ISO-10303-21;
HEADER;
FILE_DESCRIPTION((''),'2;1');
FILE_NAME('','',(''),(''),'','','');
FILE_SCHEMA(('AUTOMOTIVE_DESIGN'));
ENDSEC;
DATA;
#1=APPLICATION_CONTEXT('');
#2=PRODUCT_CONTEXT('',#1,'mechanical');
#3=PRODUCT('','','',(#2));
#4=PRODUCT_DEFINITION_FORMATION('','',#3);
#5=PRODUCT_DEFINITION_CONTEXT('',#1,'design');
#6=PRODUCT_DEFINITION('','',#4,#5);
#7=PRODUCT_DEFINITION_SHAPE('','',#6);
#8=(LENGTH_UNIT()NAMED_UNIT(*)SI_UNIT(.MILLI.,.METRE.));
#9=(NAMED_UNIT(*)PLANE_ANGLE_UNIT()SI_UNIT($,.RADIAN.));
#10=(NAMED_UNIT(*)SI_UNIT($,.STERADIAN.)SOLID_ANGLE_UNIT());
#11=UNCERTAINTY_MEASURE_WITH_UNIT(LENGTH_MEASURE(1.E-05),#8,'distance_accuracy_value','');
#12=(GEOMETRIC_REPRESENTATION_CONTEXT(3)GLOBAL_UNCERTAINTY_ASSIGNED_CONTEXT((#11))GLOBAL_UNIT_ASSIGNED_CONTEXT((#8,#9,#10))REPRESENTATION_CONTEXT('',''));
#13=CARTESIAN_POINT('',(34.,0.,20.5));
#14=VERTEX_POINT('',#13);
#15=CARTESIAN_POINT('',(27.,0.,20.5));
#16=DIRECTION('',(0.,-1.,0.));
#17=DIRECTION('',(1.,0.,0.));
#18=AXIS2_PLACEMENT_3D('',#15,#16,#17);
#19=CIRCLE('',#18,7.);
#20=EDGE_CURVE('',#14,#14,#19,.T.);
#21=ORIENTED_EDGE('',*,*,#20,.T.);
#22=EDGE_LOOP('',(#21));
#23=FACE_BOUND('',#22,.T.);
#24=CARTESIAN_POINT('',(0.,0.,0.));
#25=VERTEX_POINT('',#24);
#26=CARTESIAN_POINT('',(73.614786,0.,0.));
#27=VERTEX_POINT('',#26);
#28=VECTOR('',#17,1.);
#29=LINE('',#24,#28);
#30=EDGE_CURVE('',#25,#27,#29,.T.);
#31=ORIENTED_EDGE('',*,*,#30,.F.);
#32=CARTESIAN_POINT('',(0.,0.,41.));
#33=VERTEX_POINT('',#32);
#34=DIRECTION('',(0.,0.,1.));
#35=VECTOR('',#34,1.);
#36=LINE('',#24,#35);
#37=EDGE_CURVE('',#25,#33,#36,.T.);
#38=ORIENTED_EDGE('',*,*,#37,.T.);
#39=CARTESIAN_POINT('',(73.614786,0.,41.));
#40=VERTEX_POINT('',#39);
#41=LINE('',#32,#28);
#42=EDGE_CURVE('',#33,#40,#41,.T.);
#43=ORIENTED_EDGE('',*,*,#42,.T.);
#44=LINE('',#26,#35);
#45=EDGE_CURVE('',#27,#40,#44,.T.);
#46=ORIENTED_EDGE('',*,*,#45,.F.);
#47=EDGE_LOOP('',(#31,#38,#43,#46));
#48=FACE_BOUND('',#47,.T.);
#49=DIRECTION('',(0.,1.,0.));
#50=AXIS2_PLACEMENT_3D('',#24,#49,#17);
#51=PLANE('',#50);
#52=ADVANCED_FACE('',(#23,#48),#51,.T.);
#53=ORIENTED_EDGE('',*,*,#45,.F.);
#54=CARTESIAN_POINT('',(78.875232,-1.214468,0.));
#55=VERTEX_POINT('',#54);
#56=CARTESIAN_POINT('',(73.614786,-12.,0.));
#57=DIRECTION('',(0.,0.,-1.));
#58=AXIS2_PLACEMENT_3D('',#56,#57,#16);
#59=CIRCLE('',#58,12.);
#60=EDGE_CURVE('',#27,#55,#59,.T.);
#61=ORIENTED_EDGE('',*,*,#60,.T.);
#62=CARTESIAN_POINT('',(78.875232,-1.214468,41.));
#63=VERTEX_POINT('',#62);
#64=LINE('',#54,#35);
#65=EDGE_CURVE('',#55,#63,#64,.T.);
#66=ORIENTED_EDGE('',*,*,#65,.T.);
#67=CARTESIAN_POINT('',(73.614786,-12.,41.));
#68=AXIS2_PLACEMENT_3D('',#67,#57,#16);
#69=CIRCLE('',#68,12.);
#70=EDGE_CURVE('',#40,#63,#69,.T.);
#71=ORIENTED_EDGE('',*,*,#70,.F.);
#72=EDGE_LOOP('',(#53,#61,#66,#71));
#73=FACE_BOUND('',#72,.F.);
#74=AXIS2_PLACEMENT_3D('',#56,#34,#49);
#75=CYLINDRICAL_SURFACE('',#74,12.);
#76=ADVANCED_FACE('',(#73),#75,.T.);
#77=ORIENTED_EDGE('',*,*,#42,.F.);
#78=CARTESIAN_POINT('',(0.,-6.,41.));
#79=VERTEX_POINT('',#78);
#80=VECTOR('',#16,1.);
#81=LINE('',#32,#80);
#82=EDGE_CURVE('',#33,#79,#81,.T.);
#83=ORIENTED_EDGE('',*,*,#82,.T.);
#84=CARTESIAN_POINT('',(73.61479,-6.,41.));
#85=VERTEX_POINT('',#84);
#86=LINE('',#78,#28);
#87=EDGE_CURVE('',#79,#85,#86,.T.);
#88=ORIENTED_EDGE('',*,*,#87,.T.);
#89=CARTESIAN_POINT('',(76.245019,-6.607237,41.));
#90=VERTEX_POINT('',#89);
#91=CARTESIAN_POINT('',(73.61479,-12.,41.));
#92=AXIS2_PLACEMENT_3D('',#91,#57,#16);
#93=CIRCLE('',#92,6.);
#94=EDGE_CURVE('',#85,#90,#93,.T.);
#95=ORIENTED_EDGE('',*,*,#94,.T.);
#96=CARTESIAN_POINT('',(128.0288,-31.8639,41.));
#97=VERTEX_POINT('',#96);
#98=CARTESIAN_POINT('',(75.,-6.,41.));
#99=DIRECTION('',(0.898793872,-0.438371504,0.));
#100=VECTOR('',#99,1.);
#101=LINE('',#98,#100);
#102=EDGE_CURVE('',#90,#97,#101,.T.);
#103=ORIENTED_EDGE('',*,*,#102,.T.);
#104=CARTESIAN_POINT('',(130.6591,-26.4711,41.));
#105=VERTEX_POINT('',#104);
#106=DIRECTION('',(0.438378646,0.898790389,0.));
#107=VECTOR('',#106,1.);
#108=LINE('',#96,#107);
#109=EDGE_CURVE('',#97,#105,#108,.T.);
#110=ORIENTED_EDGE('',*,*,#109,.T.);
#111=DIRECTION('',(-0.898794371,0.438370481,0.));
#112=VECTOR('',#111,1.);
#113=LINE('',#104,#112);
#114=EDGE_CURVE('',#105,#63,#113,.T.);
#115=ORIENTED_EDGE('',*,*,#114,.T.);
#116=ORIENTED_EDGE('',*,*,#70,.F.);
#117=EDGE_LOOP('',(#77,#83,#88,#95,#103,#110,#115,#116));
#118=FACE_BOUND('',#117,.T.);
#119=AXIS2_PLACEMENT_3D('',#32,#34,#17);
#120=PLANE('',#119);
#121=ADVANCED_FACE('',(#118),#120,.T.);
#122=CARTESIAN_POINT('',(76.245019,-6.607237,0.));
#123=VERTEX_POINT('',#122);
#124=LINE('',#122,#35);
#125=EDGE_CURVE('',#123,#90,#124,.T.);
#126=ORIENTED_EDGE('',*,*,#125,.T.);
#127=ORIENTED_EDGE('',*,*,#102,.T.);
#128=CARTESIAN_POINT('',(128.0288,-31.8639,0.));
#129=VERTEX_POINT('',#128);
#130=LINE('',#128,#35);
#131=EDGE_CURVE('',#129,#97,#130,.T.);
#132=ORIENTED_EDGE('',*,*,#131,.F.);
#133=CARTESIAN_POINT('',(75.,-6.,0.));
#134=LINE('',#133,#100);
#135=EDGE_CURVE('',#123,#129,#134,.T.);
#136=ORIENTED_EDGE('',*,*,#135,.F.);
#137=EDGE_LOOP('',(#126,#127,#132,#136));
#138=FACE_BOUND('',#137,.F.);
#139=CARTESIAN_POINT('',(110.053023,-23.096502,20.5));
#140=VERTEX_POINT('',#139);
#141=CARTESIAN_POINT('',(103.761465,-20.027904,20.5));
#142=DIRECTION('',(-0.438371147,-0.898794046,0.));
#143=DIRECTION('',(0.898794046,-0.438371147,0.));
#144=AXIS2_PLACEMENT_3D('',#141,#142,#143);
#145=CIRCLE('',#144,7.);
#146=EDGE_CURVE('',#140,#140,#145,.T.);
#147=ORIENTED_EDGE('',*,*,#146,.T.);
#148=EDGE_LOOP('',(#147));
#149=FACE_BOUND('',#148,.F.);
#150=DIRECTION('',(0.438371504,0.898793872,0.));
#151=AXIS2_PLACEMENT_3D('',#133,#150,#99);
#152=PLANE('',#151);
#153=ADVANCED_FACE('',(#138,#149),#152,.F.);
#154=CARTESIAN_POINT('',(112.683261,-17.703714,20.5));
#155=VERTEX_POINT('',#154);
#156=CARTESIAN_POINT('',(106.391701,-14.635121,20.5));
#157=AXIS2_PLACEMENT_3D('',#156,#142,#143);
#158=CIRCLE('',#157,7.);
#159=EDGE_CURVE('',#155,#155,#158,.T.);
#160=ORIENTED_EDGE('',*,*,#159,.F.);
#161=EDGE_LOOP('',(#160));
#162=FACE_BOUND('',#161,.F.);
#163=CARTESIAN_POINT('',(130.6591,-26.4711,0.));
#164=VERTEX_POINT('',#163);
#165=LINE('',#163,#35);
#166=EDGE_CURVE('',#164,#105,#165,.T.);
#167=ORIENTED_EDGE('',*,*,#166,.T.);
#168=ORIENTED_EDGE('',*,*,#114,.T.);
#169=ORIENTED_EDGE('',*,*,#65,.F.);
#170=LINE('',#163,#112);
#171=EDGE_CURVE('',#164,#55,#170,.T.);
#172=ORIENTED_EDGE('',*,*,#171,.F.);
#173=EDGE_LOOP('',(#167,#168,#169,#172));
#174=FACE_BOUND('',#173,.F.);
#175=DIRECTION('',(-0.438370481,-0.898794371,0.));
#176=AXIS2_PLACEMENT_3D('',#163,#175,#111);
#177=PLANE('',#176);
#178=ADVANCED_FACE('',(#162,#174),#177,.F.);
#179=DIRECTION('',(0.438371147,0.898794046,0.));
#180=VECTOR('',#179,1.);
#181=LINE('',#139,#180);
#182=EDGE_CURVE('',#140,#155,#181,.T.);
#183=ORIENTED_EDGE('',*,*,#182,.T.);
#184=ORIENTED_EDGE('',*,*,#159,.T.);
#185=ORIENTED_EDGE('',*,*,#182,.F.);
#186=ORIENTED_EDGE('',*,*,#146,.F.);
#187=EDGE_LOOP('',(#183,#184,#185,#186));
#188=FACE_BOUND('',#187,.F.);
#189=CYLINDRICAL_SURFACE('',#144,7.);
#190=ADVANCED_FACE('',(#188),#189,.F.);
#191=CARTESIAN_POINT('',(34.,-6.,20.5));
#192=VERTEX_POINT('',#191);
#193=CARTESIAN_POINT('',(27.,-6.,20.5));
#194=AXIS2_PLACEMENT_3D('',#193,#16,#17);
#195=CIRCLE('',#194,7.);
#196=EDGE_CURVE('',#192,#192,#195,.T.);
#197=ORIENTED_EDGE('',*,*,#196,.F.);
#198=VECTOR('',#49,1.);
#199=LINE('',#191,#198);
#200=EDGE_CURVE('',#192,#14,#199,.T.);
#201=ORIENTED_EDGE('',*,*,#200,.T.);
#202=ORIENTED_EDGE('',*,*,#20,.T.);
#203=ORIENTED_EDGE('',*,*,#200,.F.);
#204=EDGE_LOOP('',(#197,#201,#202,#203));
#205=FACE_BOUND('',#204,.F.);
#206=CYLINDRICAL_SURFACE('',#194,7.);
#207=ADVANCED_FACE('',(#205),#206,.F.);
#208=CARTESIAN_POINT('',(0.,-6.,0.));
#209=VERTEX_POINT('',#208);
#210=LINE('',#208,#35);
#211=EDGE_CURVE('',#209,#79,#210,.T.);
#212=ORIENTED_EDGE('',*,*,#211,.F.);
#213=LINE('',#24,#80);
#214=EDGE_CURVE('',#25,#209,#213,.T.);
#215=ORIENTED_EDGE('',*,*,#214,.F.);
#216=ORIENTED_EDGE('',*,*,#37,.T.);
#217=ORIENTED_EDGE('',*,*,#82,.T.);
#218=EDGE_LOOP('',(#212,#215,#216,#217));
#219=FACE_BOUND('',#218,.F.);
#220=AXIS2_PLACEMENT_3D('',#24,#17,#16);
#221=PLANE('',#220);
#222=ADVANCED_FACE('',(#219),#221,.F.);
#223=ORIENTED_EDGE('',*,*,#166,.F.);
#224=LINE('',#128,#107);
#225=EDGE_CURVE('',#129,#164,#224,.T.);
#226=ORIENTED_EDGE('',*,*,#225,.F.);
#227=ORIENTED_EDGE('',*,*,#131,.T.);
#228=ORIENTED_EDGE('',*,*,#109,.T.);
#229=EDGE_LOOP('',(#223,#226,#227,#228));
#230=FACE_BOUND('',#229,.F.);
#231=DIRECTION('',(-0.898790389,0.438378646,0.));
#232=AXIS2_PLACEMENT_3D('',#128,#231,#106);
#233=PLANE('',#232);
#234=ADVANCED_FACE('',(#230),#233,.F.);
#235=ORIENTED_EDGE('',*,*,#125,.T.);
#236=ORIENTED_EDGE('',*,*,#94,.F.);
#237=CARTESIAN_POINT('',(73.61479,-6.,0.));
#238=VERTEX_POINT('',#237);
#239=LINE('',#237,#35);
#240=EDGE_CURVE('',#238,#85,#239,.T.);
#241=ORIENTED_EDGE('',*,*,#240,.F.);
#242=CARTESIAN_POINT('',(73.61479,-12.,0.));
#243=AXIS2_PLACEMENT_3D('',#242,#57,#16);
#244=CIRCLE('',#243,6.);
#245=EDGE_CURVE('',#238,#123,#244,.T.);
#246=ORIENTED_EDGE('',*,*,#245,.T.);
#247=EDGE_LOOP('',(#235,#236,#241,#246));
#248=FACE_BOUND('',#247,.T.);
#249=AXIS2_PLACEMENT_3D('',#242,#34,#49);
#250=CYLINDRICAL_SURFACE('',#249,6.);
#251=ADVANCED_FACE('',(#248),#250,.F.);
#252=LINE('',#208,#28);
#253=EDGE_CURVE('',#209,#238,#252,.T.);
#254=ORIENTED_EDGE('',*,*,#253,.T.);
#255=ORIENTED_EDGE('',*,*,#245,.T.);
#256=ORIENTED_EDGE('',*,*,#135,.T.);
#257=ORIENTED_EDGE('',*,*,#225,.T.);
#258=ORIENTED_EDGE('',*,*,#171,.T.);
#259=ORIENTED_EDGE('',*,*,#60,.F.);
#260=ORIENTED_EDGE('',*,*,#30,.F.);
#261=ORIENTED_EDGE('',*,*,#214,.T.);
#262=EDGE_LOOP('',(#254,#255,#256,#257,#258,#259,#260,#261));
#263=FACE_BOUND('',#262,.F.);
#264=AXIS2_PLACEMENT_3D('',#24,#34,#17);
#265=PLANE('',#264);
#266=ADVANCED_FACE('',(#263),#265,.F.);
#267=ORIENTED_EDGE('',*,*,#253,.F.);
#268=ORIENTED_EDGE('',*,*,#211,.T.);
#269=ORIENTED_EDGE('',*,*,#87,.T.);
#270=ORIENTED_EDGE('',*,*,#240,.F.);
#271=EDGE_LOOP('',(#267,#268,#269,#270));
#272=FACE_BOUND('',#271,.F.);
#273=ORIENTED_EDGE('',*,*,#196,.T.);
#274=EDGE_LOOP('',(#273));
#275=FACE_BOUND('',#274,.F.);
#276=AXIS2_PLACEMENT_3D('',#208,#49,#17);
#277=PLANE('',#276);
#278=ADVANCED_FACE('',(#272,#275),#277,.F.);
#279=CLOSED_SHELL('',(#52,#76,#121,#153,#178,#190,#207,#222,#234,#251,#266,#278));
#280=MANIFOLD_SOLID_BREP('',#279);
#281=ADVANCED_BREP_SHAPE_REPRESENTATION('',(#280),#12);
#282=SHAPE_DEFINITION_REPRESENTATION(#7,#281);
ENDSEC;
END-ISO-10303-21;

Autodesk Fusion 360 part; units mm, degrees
sketch "Sketch1" plane through (0, 0, 0) normal (0, 0, 1) x (1, 0, 0)
  line L0 (0, 0) -> (0, -6)
  line L1 (0, -6) -> (75, -6)
  line L2 (75, -6) -> (128.0288, -31.8639)
  line L3 (128.0288, -31.8639) -> (130.6591, -26.4711)
  line L4 (0, 0) -> (76.3852, 0)
  line L5 (130.6591, -26.4711) -> (76.3852, 0)
  dimension "d9" = 6
  dimension "d10" = 75
  dimension "d11" = 59
  dimension "d12" = 154
  dimension "d13" = 6
extrude "Extrude1" add sketch "Sketch1" along normal blind 41
sketch "Sketch2" plane through (0, -6, 0) normal (0, -1, 0) x (1, 0, 0)
  line L0 (0, 0) -> (75, 0)
  line L1 (75, 0) -> (75, 41)
  line L2 (75, 41) -> (0, 41)
  line L3 (0, 41) -> (0, 0)
  circle A0 centre (27, 20.5) radius 7
  dimension "d16" = 14
  dimension "d17" = 27
  dimension "d18" = 20.5
extrude "Hole1" cut sketch "Sketch2" against normal blind 6 contours A0
sketch "Sketch3" plane through (12.0487, 24.7034, 0) normal (-0.4384, -0.8988, 0) x (0.8988, -0.4384, 0)
  line L0 (70.0398, 0) -> (129.0398, 0)
  line L1 (129.0398, 0) -> (129.0398, 41)
  line L2 (129.0398, 41) -> (70.0398, 41)
  line L3 (70.0398, 41) -> (70.0398, 0)
  circle A0 centre (102.0398, 20.5) radius 7
  dimension "d21" = 14
  dimension "d22" = 27
  dimension "d28" = 20.5
extrude "Hole2" cut sketch "Sketch3" against normal through all contours A0
fillet "Fillet1" radius 6 1 edges at (75, -6, 20.5)
fillet "Fillet1" radius 12 1 edges at (76.3852, 0, 20.5)
